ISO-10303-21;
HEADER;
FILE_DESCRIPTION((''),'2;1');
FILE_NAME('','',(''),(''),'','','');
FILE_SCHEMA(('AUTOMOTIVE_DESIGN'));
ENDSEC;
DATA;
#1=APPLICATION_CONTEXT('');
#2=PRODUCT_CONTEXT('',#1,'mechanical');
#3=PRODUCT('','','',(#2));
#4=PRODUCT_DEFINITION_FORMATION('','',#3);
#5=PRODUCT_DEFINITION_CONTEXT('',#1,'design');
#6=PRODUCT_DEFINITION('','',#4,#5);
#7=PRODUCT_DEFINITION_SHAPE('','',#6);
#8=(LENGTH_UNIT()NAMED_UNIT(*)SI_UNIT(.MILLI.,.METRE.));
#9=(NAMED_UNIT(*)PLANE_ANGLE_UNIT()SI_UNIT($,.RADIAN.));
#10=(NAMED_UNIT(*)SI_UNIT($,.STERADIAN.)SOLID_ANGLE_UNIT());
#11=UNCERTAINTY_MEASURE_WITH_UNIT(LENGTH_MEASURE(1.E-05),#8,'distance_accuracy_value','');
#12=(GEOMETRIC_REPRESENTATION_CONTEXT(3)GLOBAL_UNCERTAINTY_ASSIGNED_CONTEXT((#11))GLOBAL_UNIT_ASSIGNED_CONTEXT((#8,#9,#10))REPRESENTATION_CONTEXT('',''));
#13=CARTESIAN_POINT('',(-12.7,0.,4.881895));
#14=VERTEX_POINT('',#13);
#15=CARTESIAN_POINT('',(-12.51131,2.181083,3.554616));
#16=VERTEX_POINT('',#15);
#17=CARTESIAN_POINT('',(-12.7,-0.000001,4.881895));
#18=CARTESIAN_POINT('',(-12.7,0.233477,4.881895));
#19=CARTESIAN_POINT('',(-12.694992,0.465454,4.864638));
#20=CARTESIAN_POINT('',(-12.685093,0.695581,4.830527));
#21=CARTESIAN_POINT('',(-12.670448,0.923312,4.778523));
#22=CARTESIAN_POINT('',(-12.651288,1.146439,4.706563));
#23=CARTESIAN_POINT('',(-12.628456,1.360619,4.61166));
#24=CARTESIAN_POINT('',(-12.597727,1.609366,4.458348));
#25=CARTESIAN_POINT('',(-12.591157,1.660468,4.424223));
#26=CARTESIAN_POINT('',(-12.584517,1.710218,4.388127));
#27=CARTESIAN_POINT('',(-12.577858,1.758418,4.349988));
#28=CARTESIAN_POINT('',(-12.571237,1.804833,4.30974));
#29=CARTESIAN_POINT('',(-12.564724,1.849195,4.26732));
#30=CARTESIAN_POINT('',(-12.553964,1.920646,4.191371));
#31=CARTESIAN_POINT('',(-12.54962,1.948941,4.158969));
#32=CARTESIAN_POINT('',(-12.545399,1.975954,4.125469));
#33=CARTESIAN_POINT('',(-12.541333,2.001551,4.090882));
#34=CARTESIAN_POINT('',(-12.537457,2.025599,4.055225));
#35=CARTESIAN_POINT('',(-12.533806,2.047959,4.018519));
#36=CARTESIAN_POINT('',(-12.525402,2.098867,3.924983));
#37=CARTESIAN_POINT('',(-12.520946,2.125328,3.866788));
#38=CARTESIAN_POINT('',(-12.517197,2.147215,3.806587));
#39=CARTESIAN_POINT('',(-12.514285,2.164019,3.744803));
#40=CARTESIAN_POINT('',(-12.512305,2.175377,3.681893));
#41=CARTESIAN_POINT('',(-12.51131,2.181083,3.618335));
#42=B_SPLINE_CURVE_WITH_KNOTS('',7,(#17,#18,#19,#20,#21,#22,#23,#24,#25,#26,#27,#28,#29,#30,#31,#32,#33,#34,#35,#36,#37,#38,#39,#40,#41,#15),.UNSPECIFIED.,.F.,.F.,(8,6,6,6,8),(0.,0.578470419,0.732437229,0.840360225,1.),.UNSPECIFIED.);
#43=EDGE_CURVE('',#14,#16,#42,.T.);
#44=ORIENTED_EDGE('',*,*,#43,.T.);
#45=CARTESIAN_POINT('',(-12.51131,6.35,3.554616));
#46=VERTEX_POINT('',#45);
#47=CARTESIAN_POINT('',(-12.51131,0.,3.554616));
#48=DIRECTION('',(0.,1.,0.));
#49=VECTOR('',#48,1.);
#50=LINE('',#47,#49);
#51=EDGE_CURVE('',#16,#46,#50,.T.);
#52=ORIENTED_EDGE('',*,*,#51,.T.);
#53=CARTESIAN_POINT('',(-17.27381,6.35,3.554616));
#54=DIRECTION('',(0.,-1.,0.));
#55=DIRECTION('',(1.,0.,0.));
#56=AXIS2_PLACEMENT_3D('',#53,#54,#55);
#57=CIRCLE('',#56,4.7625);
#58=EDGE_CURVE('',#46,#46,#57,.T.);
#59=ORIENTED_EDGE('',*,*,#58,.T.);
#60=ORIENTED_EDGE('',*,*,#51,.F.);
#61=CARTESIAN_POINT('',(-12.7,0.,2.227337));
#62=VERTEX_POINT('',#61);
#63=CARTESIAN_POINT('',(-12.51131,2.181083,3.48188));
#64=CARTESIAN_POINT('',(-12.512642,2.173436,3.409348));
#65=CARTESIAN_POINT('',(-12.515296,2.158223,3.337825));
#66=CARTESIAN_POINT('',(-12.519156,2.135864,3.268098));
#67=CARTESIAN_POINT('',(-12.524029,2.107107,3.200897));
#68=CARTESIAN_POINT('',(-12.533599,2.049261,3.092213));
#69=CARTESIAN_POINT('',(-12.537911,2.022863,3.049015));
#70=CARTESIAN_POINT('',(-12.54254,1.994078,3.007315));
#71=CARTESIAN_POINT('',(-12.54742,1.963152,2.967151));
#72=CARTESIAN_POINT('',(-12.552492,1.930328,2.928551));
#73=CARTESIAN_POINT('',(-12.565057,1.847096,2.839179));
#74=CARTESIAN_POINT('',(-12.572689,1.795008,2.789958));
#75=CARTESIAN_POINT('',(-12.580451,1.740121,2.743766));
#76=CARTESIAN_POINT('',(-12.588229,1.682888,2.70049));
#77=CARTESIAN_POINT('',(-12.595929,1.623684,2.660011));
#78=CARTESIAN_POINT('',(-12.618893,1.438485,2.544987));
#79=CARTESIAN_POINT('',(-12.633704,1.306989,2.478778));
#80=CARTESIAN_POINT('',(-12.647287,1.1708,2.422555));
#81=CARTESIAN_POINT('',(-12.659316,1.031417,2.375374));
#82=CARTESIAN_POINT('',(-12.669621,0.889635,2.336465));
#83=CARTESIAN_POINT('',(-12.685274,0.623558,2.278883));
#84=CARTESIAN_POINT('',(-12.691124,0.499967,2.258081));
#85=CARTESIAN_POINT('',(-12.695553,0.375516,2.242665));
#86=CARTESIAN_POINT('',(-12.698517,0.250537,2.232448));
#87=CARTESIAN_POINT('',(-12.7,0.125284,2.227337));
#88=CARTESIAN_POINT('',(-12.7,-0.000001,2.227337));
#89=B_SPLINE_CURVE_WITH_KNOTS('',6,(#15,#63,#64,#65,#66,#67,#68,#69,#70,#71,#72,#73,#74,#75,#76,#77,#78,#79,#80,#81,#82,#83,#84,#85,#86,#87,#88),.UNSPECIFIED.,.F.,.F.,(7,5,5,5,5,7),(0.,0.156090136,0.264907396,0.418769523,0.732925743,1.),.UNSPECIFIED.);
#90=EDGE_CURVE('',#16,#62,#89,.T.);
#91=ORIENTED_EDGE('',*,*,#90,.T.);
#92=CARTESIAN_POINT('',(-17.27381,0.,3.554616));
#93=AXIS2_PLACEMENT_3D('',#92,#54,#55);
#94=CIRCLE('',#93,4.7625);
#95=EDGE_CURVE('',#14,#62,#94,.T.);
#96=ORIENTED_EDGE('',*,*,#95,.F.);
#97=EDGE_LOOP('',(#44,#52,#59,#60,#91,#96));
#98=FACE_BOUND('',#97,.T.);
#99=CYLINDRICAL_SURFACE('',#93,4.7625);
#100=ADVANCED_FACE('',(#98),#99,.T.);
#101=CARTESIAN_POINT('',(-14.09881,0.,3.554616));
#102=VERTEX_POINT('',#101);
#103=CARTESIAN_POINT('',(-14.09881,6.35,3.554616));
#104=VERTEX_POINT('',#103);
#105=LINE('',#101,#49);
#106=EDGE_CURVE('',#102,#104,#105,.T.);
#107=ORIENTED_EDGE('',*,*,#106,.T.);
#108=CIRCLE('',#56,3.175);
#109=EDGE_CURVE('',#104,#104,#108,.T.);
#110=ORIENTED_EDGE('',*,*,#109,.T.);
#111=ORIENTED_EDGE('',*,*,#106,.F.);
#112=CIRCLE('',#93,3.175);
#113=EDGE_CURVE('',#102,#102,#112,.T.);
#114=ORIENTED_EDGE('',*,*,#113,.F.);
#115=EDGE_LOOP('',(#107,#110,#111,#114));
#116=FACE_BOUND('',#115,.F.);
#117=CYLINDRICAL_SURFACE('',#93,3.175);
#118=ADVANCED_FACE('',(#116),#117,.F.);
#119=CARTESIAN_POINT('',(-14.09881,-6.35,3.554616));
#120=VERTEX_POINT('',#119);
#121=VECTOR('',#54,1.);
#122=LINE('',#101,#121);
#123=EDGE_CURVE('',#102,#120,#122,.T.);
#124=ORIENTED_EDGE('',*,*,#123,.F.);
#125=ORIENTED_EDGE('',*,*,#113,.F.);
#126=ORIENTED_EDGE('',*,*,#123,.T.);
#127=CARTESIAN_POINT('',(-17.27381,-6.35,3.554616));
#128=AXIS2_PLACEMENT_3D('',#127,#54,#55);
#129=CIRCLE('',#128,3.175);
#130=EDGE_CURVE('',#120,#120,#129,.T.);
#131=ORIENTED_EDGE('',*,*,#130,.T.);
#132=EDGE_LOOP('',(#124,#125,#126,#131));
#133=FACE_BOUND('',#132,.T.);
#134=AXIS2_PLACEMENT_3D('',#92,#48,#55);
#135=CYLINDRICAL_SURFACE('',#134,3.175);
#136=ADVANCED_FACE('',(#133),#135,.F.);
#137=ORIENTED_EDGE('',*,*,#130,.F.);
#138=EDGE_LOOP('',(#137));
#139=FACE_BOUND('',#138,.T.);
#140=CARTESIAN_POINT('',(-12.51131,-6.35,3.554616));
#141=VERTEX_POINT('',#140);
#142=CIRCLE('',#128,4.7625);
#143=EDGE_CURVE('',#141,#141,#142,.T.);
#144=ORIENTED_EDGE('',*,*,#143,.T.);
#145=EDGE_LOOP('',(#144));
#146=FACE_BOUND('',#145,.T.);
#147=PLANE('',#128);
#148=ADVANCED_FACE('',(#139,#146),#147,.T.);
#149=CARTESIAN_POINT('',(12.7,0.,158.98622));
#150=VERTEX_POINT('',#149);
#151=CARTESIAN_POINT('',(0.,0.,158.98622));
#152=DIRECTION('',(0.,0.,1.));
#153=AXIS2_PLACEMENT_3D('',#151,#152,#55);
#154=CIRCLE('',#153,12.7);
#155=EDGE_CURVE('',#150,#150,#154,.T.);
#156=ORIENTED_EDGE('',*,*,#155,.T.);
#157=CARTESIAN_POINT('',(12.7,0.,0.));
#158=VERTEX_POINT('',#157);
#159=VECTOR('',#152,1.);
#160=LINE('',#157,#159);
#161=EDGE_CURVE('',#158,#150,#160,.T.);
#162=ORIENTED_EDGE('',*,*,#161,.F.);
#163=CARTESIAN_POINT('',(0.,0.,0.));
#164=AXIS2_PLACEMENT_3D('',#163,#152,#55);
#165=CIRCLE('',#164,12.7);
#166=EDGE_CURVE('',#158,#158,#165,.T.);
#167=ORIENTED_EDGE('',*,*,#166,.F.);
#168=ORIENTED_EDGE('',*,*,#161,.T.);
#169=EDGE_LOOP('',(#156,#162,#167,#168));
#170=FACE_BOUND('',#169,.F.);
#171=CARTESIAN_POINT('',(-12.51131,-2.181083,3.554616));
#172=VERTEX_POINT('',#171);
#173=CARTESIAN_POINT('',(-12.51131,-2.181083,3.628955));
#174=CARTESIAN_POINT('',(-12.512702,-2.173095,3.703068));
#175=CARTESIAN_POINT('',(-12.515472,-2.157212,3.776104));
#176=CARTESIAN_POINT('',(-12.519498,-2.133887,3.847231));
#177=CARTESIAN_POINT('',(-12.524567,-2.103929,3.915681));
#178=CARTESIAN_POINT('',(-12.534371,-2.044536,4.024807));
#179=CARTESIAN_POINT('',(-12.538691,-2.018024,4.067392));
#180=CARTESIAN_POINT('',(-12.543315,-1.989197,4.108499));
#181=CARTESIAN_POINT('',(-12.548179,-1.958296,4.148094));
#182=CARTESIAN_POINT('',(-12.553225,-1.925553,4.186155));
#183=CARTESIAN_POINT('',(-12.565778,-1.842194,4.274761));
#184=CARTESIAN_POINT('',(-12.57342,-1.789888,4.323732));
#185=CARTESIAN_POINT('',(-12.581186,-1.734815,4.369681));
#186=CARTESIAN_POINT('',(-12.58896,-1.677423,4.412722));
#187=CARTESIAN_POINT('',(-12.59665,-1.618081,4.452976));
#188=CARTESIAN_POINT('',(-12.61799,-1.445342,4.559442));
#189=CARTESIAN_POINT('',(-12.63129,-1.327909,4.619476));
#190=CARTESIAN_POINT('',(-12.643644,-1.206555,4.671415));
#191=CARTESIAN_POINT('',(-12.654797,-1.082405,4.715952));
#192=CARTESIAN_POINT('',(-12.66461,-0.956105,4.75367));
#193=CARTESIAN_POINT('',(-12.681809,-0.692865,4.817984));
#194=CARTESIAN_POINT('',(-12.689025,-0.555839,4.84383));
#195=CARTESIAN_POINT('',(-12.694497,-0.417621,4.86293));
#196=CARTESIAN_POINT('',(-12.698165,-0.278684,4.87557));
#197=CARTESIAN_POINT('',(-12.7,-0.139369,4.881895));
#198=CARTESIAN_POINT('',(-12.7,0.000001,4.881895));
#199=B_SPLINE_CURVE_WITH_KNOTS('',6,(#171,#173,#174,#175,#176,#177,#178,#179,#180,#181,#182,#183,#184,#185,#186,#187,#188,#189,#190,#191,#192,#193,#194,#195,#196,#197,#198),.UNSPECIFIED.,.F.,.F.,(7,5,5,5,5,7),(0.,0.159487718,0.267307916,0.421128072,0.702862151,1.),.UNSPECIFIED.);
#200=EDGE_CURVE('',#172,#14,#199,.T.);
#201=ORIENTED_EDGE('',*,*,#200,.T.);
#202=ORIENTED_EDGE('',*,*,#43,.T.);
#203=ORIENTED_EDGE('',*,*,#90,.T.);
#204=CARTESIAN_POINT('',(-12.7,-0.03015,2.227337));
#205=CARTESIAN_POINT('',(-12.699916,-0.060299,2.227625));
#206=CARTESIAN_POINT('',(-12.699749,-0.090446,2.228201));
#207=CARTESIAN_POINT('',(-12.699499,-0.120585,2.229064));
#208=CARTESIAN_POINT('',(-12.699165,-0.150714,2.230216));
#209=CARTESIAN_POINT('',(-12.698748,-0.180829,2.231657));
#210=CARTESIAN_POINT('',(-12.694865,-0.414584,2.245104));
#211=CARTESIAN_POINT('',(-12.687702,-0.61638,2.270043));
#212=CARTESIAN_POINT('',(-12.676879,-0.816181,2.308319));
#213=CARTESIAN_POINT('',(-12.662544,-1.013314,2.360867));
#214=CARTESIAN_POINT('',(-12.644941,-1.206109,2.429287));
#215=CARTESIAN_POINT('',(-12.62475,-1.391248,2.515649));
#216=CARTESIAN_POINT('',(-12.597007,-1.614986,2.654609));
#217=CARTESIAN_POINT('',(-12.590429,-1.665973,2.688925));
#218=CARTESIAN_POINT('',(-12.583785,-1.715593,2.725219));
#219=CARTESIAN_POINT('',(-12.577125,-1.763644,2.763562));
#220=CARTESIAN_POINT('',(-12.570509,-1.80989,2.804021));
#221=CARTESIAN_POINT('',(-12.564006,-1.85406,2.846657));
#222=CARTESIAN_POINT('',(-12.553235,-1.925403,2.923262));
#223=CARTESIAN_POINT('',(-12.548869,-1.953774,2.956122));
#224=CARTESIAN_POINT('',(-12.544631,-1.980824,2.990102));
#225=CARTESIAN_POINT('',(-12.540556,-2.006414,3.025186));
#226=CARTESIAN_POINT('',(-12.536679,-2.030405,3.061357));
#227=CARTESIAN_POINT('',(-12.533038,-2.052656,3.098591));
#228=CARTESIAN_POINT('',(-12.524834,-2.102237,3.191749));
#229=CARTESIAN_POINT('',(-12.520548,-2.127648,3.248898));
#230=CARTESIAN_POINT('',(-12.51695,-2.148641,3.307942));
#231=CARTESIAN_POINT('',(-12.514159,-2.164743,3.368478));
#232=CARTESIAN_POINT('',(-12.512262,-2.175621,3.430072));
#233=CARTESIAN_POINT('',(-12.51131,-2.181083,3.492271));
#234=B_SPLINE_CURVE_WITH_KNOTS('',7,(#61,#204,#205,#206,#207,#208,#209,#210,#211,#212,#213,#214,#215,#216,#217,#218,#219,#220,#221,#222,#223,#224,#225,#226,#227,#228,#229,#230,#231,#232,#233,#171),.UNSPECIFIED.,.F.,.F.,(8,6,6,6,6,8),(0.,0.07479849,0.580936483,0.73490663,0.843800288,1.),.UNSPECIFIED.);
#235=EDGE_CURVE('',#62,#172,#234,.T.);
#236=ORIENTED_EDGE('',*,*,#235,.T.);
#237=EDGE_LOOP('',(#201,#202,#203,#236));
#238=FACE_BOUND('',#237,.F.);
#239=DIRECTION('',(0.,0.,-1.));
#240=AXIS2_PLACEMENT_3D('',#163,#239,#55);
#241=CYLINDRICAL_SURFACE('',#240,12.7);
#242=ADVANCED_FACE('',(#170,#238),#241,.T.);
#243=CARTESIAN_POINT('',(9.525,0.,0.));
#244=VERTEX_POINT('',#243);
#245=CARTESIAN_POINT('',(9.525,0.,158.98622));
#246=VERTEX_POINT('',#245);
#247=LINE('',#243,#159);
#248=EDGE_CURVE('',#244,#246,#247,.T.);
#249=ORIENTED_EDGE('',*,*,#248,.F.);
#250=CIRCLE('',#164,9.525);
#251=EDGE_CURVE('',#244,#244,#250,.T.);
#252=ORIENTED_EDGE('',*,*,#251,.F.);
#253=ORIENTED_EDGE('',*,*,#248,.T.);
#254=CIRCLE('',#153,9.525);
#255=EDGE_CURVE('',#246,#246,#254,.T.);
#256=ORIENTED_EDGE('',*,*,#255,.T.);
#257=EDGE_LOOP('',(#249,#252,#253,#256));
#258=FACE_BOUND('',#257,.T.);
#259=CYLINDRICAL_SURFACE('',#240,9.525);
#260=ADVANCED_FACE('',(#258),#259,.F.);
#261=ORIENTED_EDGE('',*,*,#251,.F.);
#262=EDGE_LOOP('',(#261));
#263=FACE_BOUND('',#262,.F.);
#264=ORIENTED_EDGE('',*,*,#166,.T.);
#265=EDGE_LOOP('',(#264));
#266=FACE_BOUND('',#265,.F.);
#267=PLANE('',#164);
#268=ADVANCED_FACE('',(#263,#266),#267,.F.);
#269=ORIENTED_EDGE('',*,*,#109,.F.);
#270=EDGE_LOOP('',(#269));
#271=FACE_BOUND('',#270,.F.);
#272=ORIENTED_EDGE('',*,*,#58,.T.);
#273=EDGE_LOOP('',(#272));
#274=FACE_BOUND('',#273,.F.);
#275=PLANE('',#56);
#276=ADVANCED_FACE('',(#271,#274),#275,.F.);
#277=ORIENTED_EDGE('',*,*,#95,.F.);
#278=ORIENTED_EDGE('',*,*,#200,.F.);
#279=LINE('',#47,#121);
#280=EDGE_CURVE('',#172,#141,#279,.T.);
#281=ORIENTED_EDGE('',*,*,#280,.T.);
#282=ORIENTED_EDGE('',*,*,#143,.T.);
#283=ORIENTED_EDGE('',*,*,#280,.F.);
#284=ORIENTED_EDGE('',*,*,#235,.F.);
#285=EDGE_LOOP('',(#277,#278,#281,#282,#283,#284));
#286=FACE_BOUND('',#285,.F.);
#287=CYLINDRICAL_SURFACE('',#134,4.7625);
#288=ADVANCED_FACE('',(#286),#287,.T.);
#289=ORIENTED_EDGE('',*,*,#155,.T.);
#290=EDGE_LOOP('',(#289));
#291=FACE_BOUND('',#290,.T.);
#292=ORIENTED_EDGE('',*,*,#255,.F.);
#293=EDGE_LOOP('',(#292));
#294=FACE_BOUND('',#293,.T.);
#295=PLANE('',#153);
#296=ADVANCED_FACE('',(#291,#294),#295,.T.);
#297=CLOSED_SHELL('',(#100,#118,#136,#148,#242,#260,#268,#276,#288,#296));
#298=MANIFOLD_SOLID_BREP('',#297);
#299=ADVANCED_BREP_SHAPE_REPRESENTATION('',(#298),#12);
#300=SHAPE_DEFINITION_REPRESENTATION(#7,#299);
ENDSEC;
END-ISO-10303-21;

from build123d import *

# Parameters (mm, degrees)
F0_R          = 12.7
F0_R_2        = 9.525
F1_DEPTH      = 158.98622
F2_R          = 4.7625
F2_R_2        = 3.175
F3_DEPTH      = 6.35
F3_DEPTH_BACK = 6.35


with BuildPart() as f1:
    # F0 (on Top) → F1 (new body)
    with BuildSketch(Plane.XY):
        Circle(F0_R)
        Circle(F0_R_2, mode=Mode.SUBTRACT)
    extrude(amount=F1_DEPTH)

    # F2 (on Front) → F3 (join, two sides)
    with BuildSketch(Plane.XZ) as f3_sk:
        with Locations((-17.27381, 3.554616)):
            Circle(F2_R)
        with Locations((-17.27381, 3.554616)):
            Circle(F2_R_2, mode=Mode.SUBTRACT)
    extrude(amount=F3_DEPTH)
    extrude(f3_sk.sketch, amount=-F3_DEPTH_BACK)


solid = f1.part
